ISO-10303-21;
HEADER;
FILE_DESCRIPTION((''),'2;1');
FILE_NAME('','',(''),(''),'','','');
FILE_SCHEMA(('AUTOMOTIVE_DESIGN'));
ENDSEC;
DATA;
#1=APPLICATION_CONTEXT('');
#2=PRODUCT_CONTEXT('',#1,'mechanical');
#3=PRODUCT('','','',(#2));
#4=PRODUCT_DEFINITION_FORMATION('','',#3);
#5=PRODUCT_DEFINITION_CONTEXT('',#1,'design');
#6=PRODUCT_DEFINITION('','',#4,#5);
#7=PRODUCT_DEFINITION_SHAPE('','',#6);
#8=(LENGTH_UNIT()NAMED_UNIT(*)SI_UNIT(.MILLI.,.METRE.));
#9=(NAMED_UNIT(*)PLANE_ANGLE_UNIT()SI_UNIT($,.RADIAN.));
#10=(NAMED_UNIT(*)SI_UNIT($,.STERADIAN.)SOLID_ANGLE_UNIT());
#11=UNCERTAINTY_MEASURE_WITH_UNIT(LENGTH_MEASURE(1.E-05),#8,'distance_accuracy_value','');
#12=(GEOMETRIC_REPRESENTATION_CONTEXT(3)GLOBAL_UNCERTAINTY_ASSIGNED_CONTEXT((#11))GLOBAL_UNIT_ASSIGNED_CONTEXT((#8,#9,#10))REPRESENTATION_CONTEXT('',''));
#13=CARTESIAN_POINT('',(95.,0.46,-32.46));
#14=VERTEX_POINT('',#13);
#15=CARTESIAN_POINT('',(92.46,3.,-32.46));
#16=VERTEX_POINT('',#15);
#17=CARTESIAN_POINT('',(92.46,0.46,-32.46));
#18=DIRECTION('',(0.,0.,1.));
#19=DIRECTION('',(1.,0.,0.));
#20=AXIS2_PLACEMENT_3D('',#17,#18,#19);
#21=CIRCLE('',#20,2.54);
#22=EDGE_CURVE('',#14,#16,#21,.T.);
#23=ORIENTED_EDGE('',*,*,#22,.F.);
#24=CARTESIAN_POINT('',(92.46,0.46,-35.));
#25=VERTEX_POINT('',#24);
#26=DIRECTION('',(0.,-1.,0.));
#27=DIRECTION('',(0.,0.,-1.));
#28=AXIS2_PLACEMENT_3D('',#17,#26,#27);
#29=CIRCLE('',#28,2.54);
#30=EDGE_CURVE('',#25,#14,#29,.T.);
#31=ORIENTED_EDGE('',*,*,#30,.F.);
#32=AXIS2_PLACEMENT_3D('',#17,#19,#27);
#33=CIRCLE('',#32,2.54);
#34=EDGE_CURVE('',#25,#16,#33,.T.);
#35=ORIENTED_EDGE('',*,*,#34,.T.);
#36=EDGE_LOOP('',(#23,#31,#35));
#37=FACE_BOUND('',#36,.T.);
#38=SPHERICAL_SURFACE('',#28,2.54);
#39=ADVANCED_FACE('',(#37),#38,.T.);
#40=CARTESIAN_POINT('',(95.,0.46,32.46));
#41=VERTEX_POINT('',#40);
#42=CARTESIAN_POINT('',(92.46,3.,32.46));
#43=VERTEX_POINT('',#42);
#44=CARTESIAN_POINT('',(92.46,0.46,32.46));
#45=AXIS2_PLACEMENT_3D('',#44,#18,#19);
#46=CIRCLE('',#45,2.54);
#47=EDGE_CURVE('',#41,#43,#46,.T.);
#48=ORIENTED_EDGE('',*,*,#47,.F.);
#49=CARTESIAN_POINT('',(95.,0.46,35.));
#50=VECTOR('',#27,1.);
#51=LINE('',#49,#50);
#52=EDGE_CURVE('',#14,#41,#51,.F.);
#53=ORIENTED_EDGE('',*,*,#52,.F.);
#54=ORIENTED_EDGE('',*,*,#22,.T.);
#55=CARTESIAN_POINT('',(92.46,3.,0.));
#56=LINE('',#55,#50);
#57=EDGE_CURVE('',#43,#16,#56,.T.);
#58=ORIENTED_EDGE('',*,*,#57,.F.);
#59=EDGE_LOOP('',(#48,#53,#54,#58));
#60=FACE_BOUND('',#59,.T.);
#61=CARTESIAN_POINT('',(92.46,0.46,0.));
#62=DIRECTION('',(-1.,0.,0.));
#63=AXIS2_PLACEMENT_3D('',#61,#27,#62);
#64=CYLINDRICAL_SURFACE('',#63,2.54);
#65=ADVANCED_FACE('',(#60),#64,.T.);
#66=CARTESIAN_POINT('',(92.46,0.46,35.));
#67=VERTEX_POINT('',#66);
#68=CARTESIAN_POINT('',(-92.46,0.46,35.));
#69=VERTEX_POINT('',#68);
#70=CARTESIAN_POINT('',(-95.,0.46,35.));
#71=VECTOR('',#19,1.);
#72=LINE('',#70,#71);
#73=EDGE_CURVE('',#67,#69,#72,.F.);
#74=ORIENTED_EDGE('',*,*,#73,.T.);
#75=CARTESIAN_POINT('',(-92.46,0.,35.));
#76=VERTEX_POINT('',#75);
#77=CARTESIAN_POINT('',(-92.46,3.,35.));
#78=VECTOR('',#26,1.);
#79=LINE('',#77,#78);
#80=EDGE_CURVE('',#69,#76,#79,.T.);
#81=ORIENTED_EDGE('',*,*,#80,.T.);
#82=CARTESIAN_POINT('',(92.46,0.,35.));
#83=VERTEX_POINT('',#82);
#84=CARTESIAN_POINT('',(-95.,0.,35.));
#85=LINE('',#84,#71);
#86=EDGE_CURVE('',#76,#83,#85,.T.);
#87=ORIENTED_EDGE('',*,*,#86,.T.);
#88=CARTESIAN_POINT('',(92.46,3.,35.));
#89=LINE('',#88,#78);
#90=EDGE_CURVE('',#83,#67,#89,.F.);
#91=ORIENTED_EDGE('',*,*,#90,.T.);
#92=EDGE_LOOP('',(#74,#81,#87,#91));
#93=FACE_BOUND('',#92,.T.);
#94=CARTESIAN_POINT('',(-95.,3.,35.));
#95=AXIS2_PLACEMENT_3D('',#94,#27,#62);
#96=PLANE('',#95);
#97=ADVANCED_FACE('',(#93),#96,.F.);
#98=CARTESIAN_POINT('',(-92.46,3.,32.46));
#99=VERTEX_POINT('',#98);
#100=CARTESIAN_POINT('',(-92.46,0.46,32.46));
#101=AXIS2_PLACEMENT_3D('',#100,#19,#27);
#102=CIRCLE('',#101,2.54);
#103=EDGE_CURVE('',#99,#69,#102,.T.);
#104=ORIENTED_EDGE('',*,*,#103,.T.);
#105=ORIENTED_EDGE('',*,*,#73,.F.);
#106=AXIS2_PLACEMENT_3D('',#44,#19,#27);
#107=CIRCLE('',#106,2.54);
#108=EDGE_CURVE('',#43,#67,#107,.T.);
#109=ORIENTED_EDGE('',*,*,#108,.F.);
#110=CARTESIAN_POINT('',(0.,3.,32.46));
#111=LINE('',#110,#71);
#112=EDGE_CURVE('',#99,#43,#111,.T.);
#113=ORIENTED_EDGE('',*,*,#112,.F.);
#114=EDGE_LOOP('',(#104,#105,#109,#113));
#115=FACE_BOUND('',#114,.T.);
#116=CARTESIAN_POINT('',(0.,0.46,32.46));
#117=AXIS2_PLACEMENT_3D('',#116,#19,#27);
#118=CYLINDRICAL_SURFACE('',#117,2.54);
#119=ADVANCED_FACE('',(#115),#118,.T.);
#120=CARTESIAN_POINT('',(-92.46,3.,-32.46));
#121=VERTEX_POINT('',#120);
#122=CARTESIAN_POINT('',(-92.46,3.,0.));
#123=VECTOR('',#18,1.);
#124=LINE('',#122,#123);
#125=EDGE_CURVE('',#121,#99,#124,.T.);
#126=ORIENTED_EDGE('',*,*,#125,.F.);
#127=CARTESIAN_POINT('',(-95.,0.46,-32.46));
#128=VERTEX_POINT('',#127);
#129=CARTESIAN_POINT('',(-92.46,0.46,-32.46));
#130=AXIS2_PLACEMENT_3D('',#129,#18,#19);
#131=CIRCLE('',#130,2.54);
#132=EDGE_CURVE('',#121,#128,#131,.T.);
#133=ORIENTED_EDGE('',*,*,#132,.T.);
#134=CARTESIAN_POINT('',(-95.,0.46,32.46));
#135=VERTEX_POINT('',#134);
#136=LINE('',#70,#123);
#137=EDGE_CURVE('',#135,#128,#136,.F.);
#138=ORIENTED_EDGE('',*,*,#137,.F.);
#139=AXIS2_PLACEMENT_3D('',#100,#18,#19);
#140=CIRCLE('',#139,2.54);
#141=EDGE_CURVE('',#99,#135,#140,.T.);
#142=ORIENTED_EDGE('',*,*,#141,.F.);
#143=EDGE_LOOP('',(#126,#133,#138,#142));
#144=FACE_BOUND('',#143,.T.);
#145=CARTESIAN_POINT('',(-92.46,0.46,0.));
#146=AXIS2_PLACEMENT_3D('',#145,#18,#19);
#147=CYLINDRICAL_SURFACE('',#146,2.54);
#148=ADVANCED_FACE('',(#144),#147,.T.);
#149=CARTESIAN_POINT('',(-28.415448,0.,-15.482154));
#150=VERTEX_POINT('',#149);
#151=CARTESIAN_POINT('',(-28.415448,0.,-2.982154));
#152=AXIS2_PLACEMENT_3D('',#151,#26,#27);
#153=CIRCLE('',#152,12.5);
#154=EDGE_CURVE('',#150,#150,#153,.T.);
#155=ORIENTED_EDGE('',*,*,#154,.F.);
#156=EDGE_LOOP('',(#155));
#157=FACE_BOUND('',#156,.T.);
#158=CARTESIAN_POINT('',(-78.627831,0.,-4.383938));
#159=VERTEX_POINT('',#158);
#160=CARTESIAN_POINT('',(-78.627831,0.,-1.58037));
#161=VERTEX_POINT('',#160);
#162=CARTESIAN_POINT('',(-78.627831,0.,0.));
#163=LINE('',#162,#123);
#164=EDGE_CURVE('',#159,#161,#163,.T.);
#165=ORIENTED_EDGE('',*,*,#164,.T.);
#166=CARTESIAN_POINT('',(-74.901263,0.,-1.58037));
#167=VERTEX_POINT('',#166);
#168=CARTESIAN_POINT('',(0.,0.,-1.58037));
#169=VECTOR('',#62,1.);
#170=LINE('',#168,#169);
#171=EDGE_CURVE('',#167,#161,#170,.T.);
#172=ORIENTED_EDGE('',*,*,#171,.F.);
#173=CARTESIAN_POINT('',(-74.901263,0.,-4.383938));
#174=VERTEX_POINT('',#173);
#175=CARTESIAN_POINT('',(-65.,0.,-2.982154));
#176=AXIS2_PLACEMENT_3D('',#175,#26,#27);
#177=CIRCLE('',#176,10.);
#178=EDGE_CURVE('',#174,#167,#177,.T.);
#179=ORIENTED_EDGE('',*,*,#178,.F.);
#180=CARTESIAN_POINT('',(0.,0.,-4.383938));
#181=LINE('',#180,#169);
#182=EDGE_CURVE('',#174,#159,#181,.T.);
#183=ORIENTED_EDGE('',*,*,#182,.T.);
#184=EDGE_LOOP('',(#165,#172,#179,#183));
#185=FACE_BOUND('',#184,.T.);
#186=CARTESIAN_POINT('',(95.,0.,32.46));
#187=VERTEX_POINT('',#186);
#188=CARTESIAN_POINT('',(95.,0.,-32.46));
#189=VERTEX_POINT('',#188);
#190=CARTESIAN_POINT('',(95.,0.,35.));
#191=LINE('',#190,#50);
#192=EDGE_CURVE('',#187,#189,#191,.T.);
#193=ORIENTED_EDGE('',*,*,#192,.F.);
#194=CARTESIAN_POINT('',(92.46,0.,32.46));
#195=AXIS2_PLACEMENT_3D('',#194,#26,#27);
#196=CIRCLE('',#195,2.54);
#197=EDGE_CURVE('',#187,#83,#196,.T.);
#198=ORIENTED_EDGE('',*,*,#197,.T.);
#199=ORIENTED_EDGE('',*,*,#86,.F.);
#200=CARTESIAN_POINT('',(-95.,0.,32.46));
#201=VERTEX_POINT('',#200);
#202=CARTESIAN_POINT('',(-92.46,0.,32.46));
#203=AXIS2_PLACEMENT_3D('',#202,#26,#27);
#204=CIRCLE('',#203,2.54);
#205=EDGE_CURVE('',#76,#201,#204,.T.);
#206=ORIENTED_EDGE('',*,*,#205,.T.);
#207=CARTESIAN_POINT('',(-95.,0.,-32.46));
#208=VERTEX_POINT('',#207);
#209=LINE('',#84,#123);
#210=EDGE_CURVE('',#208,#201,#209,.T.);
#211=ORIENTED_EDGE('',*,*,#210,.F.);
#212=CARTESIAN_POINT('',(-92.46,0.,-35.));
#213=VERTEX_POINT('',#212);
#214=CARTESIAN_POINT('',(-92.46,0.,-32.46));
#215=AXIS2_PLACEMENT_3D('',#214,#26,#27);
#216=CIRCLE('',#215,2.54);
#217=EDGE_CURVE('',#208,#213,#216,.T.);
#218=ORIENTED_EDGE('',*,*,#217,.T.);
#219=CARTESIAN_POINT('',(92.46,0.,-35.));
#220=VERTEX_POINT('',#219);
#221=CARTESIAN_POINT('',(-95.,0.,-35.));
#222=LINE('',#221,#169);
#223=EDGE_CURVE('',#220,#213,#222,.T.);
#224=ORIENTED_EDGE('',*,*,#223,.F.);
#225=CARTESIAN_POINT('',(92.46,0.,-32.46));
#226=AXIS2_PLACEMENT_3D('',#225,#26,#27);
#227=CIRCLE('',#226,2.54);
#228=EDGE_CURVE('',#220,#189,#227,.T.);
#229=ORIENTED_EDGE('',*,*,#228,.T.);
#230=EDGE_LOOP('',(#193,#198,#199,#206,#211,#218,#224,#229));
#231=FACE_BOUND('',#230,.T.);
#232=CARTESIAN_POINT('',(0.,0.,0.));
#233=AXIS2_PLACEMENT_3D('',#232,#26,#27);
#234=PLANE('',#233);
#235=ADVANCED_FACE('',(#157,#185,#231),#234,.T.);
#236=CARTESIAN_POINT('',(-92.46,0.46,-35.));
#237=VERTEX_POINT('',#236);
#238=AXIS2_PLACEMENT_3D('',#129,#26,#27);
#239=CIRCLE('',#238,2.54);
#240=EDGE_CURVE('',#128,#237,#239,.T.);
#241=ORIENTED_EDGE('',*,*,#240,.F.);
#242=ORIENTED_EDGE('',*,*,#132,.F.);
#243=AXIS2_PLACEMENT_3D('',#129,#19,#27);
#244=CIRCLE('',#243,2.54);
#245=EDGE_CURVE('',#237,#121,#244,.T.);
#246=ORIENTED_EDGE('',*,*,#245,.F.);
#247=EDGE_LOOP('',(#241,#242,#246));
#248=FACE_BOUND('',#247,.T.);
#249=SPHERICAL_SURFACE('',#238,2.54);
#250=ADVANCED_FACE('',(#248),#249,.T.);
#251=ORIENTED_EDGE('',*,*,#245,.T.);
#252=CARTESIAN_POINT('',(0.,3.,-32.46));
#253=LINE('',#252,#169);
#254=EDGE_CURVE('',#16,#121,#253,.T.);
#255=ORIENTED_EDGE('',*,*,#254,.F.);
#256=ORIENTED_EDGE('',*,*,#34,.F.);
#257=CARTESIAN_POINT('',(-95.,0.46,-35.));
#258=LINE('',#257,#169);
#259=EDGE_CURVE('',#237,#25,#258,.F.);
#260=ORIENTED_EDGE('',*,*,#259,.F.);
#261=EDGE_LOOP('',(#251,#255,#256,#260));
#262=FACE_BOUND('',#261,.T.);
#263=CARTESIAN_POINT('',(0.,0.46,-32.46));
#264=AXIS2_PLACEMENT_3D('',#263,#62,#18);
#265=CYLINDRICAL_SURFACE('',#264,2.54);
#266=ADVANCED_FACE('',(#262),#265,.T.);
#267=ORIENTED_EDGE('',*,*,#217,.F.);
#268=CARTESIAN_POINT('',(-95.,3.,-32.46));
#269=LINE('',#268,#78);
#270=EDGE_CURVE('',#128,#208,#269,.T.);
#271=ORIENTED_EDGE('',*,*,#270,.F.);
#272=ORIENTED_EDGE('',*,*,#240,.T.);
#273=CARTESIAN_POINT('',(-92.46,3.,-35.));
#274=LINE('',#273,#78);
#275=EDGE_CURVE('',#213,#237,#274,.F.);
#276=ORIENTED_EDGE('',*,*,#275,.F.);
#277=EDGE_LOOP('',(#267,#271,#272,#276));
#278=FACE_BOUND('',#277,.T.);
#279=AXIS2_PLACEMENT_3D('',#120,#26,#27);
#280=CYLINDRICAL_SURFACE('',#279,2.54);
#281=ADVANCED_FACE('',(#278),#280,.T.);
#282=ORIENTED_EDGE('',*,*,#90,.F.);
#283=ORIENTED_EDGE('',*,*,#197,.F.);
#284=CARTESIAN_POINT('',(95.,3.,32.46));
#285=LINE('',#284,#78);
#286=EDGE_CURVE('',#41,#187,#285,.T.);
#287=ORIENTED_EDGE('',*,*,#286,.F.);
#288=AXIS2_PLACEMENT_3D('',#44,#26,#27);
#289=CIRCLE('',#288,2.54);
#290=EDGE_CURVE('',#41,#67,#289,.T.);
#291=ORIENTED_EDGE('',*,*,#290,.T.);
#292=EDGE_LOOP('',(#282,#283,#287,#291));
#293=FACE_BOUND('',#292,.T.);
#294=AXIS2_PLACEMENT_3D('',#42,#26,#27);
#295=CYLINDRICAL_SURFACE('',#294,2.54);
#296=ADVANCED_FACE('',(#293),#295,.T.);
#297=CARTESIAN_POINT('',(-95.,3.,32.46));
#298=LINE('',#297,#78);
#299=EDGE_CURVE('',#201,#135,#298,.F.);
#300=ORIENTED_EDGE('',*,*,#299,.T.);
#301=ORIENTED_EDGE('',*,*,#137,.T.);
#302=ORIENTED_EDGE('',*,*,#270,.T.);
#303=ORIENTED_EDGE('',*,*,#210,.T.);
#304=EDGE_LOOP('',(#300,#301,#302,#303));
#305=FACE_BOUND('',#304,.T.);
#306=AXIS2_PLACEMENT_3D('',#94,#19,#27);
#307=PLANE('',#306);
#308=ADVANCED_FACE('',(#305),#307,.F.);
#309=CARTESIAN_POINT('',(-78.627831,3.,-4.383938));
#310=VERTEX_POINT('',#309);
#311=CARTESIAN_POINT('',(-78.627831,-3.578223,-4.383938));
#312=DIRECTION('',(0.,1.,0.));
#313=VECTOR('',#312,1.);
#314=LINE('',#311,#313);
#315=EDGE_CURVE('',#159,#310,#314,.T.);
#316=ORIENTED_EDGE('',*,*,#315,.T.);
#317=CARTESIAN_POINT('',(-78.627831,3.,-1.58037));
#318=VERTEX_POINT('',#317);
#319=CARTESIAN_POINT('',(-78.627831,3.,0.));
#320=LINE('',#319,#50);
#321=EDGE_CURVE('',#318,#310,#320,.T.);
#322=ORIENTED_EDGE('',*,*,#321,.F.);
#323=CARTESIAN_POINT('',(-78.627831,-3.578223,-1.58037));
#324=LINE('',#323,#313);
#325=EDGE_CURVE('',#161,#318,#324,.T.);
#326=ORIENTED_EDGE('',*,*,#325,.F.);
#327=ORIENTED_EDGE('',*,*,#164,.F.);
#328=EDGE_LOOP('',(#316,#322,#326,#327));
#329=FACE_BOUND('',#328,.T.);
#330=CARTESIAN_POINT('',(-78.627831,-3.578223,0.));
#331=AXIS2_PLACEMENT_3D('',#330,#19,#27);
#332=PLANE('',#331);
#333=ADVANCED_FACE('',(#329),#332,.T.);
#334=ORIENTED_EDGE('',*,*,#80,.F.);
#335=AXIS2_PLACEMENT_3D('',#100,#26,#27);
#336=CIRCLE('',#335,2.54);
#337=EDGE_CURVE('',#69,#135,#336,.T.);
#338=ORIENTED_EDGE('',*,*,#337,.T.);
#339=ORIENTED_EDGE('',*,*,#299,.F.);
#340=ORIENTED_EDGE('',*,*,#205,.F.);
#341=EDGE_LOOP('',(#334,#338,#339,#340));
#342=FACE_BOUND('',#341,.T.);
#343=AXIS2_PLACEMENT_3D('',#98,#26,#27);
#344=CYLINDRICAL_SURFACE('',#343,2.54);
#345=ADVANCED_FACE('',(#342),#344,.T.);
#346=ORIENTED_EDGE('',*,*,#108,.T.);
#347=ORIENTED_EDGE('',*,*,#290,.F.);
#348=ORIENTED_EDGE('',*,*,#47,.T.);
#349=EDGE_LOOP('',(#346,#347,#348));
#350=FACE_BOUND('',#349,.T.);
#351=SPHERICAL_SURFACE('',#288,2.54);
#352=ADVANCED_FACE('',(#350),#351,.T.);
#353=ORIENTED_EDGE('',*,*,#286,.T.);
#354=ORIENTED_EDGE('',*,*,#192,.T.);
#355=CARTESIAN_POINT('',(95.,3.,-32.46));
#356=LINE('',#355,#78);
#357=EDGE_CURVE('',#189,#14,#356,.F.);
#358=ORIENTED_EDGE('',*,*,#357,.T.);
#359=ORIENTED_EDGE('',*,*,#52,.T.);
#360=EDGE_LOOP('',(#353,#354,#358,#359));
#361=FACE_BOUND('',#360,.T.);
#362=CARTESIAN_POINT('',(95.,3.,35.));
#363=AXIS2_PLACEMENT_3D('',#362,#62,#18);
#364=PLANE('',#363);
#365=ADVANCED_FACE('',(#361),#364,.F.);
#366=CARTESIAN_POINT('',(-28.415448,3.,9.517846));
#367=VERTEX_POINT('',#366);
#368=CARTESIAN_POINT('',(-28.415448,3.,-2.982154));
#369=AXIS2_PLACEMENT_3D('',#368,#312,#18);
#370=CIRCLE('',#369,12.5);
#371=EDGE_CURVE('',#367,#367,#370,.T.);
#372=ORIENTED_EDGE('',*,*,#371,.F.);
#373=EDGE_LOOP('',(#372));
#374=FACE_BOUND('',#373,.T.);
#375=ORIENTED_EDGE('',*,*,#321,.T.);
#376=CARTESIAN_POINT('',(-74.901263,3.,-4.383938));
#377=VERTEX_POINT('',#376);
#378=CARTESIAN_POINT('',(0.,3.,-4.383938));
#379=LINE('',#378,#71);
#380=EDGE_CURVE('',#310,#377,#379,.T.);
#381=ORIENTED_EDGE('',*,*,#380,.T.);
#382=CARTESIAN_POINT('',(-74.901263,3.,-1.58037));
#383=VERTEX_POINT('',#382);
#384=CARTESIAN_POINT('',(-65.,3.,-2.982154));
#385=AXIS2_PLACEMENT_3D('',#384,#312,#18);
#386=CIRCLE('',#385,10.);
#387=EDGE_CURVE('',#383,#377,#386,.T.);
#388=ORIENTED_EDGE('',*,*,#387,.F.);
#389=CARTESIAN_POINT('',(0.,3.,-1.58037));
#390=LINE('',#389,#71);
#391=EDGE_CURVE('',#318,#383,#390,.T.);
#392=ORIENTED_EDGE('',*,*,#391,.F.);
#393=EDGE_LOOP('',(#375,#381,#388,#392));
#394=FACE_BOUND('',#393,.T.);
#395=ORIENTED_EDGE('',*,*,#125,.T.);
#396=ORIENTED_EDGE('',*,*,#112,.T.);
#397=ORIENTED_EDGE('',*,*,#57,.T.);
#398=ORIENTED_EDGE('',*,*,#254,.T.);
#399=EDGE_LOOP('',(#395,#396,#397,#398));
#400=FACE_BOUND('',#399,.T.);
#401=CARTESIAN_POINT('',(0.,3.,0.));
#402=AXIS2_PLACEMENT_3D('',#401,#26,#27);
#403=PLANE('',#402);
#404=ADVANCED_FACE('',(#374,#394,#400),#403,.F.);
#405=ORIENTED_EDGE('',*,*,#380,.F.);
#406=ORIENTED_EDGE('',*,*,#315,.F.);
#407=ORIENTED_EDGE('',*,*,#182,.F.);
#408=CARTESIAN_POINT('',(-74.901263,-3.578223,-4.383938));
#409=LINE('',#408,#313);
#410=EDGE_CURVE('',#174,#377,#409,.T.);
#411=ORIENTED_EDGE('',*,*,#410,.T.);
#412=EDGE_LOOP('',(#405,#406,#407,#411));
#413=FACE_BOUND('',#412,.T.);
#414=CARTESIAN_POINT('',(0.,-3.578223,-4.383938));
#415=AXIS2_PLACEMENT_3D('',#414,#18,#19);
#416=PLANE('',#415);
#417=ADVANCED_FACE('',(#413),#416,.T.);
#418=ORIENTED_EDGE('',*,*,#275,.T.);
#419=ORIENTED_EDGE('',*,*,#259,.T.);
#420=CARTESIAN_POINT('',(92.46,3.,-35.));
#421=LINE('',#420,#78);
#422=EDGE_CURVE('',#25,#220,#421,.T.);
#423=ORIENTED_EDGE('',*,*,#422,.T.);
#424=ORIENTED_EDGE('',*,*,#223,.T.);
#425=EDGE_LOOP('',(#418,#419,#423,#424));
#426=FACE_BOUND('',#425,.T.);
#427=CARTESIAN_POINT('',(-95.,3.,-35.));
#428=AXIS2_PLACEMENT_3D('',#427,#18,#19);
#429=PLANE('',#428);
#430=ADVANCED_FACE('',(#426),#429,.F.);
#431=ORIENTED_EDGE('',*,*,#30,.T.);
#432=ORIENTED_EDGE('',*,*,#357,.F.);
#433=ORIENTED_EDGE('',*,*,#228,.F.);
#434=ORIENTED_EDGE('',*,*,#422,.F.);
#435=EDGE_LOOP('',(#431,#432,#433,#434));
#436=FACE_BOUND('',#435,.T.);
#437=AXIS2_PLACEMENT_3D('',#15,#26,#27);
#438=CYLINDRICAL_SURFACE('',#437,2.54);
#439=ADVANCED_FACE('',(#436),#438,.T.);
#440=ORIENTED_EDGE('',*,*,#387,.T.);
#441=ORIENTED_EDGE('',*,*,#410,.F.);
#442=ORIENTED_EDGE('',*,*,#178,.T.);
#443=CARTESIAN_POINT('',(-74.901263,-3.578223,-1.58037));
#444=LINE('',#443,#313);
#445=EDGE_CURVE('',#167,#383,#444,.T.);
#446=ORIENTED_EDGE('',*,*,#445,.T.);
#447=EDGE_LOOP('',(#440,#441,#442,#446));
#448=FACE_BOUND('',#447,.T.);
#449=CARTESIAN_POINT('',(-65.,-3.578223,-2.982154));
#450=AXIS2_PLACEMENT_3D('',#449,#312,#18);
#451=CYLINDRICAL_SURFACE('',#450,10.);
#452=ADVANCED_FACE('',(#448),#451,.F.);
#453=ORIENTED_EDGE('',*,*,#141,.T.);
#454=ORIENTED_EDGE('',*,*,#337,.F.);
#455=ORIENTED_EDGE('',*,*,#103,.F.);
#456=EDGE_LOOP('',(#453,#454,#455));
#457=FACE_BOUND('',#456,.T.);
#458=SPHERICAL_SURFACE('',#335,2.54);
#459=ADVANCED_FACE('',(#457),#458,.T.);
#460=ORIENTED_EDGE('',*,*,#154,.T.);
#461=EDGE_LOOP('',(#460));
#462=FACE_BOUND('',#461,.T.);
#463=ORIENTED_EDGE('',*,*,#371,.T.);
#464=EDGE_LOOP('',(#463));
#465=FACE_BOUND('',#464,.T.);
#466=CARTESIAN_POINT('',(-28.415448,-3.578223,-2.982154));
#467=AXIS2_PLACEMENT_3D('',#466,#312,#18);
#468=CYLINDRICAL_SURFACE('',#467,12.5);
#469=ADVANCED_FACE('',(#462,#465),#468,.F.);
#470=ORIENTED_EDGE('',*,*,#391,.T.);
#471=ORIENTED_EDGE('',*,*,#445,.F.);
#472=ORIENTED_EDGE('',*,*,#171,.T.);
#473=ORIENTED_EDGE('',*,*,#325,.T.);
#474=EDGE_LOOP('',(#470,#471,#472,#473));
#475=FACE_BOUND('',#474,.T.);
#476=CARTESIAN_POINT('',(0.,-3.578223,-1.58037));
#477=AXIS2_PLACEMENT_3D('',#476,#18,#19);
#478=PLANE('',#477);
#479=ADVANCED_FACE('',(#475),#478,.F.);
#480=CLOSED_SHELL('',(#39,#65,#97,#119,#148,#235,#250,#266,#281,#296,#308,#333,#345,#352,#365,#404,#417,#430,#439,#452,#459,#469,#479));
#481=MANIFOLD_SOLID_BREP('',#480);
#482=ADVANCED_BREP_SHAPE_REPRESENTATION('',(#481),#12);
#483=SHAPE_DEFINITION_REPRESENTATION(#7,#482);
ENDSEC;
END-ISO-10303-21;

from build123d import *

# Parameters (mm, degrees)
SKETCH1_W           = 190
SKETCH1_H           = 70
BOSS_EXTRUDE1_DEPTH = 3
FILLET6_R           = 2.54
FILLET7_R           = 2.54
SKETCH2_R           = 12.5
CUT_EXTRUDE1_DEPTH  = 6.578222623


with BuildPart() as part:
    # Sketch1 → Boss-Extrude1 (new body)
    with BuildSketch(Plane(origin=(0, 0, 0), x_dir=(1, 0, 0), z_dir=(0, 1, 0))):
        Rectangle(SKETCH1_W, SKETCH1_H)
    extrude(amount=BOSS_EXTRUDE1_DEPTH)

    # Fillet6
    fillet6_edges = [part.edges().sort_by_distance(p)[0] for p in [
        (95, 1.5, 35),
        (-95, 1.5, 35),
        (-95, 1.5, -35),
        (95, 1.5, -35),
    ]]
    fillet(fillet6_edges, radius=FILLET6_R)

    # Fillet7
    fillet7_edges = [part.edges().sort_by_distance(p)[0] for p in [
        (0, 3, -35),
        (95, 3, 0),
        (-95, 3, 0),
        (0, 3, 35),
        (-94.256051224, 3, -34.256051224),
        (-94.256051224, 3, 34.256051224),
        (94.256051224, 3, 34.256051224),
        (94.256051224, 3, -34.256051224),
    ]]
    fillet(fillet7_edges, radius=FILLET7_R)

    # Sketch2 → Cut-Extrude1 (cut)
    with BuildSketch(Plane(origin=(0, 3, 0), x_dir=(1, 0, 0), z_dir=(0, 1, 0))):
        with BuildLine():
            ThreePointArc((-74.901262656, 4.383937879), (-75, 2.982154077), (-74.901262656, 1.580370275))
            Line((-74.901262656, 1.580370275), (-71.372168947, 1.580370275))
            Line((-71.372168947, 1.580370275), (-71.372168947, 4.383937879))
            Line((-71.372168947, 4.383937879), (-74.901262656, 4.383937879))
        make_face()
        with BuildLine():
            Line((-71.372168947, 1.580370275), (-74.901262656, 1.580370275))
            ThreePointArc((-74.901262656, 1.580370275), (-64.297371562, -6.993131046), (-55, 2.982154077))
            ThreePointArc((-55, 2.982154077), (-64.297371562, 12.9574392), (-74.901262656, 4.383937879))
            Line((-74.901262656, 4.383937879), (-71.372168947, 4.383937879))
            Line((-71.372168947, 4.383937879), (-71.372168947, 1.580370275))
        make_face()
        with Locations(Location((-28.415448, 2.982154077, 0), (0, 0, 270))):
            Circle(SKETCH2_R)
        with BuildLine():
            Line((-78.627831053, 4.383937879), (-78.627831053, 1.580370275))
            Line((-78.627831053, 1.580370275), (-74.901262656, 1.580370275))
            ThreePointArc((-74.901262656, 1.580370275), (-75, 2.982154077), (-74.901262656, 4.383937879))
            Line((-74.901262656, 4.383937879), (-78.627831053, 4.383937879))
        make_face()
    extrude(amount=-CUT_EXTRUDE1_DEPTH, mode=Mode.SUBTRACT)


solid = part.part
